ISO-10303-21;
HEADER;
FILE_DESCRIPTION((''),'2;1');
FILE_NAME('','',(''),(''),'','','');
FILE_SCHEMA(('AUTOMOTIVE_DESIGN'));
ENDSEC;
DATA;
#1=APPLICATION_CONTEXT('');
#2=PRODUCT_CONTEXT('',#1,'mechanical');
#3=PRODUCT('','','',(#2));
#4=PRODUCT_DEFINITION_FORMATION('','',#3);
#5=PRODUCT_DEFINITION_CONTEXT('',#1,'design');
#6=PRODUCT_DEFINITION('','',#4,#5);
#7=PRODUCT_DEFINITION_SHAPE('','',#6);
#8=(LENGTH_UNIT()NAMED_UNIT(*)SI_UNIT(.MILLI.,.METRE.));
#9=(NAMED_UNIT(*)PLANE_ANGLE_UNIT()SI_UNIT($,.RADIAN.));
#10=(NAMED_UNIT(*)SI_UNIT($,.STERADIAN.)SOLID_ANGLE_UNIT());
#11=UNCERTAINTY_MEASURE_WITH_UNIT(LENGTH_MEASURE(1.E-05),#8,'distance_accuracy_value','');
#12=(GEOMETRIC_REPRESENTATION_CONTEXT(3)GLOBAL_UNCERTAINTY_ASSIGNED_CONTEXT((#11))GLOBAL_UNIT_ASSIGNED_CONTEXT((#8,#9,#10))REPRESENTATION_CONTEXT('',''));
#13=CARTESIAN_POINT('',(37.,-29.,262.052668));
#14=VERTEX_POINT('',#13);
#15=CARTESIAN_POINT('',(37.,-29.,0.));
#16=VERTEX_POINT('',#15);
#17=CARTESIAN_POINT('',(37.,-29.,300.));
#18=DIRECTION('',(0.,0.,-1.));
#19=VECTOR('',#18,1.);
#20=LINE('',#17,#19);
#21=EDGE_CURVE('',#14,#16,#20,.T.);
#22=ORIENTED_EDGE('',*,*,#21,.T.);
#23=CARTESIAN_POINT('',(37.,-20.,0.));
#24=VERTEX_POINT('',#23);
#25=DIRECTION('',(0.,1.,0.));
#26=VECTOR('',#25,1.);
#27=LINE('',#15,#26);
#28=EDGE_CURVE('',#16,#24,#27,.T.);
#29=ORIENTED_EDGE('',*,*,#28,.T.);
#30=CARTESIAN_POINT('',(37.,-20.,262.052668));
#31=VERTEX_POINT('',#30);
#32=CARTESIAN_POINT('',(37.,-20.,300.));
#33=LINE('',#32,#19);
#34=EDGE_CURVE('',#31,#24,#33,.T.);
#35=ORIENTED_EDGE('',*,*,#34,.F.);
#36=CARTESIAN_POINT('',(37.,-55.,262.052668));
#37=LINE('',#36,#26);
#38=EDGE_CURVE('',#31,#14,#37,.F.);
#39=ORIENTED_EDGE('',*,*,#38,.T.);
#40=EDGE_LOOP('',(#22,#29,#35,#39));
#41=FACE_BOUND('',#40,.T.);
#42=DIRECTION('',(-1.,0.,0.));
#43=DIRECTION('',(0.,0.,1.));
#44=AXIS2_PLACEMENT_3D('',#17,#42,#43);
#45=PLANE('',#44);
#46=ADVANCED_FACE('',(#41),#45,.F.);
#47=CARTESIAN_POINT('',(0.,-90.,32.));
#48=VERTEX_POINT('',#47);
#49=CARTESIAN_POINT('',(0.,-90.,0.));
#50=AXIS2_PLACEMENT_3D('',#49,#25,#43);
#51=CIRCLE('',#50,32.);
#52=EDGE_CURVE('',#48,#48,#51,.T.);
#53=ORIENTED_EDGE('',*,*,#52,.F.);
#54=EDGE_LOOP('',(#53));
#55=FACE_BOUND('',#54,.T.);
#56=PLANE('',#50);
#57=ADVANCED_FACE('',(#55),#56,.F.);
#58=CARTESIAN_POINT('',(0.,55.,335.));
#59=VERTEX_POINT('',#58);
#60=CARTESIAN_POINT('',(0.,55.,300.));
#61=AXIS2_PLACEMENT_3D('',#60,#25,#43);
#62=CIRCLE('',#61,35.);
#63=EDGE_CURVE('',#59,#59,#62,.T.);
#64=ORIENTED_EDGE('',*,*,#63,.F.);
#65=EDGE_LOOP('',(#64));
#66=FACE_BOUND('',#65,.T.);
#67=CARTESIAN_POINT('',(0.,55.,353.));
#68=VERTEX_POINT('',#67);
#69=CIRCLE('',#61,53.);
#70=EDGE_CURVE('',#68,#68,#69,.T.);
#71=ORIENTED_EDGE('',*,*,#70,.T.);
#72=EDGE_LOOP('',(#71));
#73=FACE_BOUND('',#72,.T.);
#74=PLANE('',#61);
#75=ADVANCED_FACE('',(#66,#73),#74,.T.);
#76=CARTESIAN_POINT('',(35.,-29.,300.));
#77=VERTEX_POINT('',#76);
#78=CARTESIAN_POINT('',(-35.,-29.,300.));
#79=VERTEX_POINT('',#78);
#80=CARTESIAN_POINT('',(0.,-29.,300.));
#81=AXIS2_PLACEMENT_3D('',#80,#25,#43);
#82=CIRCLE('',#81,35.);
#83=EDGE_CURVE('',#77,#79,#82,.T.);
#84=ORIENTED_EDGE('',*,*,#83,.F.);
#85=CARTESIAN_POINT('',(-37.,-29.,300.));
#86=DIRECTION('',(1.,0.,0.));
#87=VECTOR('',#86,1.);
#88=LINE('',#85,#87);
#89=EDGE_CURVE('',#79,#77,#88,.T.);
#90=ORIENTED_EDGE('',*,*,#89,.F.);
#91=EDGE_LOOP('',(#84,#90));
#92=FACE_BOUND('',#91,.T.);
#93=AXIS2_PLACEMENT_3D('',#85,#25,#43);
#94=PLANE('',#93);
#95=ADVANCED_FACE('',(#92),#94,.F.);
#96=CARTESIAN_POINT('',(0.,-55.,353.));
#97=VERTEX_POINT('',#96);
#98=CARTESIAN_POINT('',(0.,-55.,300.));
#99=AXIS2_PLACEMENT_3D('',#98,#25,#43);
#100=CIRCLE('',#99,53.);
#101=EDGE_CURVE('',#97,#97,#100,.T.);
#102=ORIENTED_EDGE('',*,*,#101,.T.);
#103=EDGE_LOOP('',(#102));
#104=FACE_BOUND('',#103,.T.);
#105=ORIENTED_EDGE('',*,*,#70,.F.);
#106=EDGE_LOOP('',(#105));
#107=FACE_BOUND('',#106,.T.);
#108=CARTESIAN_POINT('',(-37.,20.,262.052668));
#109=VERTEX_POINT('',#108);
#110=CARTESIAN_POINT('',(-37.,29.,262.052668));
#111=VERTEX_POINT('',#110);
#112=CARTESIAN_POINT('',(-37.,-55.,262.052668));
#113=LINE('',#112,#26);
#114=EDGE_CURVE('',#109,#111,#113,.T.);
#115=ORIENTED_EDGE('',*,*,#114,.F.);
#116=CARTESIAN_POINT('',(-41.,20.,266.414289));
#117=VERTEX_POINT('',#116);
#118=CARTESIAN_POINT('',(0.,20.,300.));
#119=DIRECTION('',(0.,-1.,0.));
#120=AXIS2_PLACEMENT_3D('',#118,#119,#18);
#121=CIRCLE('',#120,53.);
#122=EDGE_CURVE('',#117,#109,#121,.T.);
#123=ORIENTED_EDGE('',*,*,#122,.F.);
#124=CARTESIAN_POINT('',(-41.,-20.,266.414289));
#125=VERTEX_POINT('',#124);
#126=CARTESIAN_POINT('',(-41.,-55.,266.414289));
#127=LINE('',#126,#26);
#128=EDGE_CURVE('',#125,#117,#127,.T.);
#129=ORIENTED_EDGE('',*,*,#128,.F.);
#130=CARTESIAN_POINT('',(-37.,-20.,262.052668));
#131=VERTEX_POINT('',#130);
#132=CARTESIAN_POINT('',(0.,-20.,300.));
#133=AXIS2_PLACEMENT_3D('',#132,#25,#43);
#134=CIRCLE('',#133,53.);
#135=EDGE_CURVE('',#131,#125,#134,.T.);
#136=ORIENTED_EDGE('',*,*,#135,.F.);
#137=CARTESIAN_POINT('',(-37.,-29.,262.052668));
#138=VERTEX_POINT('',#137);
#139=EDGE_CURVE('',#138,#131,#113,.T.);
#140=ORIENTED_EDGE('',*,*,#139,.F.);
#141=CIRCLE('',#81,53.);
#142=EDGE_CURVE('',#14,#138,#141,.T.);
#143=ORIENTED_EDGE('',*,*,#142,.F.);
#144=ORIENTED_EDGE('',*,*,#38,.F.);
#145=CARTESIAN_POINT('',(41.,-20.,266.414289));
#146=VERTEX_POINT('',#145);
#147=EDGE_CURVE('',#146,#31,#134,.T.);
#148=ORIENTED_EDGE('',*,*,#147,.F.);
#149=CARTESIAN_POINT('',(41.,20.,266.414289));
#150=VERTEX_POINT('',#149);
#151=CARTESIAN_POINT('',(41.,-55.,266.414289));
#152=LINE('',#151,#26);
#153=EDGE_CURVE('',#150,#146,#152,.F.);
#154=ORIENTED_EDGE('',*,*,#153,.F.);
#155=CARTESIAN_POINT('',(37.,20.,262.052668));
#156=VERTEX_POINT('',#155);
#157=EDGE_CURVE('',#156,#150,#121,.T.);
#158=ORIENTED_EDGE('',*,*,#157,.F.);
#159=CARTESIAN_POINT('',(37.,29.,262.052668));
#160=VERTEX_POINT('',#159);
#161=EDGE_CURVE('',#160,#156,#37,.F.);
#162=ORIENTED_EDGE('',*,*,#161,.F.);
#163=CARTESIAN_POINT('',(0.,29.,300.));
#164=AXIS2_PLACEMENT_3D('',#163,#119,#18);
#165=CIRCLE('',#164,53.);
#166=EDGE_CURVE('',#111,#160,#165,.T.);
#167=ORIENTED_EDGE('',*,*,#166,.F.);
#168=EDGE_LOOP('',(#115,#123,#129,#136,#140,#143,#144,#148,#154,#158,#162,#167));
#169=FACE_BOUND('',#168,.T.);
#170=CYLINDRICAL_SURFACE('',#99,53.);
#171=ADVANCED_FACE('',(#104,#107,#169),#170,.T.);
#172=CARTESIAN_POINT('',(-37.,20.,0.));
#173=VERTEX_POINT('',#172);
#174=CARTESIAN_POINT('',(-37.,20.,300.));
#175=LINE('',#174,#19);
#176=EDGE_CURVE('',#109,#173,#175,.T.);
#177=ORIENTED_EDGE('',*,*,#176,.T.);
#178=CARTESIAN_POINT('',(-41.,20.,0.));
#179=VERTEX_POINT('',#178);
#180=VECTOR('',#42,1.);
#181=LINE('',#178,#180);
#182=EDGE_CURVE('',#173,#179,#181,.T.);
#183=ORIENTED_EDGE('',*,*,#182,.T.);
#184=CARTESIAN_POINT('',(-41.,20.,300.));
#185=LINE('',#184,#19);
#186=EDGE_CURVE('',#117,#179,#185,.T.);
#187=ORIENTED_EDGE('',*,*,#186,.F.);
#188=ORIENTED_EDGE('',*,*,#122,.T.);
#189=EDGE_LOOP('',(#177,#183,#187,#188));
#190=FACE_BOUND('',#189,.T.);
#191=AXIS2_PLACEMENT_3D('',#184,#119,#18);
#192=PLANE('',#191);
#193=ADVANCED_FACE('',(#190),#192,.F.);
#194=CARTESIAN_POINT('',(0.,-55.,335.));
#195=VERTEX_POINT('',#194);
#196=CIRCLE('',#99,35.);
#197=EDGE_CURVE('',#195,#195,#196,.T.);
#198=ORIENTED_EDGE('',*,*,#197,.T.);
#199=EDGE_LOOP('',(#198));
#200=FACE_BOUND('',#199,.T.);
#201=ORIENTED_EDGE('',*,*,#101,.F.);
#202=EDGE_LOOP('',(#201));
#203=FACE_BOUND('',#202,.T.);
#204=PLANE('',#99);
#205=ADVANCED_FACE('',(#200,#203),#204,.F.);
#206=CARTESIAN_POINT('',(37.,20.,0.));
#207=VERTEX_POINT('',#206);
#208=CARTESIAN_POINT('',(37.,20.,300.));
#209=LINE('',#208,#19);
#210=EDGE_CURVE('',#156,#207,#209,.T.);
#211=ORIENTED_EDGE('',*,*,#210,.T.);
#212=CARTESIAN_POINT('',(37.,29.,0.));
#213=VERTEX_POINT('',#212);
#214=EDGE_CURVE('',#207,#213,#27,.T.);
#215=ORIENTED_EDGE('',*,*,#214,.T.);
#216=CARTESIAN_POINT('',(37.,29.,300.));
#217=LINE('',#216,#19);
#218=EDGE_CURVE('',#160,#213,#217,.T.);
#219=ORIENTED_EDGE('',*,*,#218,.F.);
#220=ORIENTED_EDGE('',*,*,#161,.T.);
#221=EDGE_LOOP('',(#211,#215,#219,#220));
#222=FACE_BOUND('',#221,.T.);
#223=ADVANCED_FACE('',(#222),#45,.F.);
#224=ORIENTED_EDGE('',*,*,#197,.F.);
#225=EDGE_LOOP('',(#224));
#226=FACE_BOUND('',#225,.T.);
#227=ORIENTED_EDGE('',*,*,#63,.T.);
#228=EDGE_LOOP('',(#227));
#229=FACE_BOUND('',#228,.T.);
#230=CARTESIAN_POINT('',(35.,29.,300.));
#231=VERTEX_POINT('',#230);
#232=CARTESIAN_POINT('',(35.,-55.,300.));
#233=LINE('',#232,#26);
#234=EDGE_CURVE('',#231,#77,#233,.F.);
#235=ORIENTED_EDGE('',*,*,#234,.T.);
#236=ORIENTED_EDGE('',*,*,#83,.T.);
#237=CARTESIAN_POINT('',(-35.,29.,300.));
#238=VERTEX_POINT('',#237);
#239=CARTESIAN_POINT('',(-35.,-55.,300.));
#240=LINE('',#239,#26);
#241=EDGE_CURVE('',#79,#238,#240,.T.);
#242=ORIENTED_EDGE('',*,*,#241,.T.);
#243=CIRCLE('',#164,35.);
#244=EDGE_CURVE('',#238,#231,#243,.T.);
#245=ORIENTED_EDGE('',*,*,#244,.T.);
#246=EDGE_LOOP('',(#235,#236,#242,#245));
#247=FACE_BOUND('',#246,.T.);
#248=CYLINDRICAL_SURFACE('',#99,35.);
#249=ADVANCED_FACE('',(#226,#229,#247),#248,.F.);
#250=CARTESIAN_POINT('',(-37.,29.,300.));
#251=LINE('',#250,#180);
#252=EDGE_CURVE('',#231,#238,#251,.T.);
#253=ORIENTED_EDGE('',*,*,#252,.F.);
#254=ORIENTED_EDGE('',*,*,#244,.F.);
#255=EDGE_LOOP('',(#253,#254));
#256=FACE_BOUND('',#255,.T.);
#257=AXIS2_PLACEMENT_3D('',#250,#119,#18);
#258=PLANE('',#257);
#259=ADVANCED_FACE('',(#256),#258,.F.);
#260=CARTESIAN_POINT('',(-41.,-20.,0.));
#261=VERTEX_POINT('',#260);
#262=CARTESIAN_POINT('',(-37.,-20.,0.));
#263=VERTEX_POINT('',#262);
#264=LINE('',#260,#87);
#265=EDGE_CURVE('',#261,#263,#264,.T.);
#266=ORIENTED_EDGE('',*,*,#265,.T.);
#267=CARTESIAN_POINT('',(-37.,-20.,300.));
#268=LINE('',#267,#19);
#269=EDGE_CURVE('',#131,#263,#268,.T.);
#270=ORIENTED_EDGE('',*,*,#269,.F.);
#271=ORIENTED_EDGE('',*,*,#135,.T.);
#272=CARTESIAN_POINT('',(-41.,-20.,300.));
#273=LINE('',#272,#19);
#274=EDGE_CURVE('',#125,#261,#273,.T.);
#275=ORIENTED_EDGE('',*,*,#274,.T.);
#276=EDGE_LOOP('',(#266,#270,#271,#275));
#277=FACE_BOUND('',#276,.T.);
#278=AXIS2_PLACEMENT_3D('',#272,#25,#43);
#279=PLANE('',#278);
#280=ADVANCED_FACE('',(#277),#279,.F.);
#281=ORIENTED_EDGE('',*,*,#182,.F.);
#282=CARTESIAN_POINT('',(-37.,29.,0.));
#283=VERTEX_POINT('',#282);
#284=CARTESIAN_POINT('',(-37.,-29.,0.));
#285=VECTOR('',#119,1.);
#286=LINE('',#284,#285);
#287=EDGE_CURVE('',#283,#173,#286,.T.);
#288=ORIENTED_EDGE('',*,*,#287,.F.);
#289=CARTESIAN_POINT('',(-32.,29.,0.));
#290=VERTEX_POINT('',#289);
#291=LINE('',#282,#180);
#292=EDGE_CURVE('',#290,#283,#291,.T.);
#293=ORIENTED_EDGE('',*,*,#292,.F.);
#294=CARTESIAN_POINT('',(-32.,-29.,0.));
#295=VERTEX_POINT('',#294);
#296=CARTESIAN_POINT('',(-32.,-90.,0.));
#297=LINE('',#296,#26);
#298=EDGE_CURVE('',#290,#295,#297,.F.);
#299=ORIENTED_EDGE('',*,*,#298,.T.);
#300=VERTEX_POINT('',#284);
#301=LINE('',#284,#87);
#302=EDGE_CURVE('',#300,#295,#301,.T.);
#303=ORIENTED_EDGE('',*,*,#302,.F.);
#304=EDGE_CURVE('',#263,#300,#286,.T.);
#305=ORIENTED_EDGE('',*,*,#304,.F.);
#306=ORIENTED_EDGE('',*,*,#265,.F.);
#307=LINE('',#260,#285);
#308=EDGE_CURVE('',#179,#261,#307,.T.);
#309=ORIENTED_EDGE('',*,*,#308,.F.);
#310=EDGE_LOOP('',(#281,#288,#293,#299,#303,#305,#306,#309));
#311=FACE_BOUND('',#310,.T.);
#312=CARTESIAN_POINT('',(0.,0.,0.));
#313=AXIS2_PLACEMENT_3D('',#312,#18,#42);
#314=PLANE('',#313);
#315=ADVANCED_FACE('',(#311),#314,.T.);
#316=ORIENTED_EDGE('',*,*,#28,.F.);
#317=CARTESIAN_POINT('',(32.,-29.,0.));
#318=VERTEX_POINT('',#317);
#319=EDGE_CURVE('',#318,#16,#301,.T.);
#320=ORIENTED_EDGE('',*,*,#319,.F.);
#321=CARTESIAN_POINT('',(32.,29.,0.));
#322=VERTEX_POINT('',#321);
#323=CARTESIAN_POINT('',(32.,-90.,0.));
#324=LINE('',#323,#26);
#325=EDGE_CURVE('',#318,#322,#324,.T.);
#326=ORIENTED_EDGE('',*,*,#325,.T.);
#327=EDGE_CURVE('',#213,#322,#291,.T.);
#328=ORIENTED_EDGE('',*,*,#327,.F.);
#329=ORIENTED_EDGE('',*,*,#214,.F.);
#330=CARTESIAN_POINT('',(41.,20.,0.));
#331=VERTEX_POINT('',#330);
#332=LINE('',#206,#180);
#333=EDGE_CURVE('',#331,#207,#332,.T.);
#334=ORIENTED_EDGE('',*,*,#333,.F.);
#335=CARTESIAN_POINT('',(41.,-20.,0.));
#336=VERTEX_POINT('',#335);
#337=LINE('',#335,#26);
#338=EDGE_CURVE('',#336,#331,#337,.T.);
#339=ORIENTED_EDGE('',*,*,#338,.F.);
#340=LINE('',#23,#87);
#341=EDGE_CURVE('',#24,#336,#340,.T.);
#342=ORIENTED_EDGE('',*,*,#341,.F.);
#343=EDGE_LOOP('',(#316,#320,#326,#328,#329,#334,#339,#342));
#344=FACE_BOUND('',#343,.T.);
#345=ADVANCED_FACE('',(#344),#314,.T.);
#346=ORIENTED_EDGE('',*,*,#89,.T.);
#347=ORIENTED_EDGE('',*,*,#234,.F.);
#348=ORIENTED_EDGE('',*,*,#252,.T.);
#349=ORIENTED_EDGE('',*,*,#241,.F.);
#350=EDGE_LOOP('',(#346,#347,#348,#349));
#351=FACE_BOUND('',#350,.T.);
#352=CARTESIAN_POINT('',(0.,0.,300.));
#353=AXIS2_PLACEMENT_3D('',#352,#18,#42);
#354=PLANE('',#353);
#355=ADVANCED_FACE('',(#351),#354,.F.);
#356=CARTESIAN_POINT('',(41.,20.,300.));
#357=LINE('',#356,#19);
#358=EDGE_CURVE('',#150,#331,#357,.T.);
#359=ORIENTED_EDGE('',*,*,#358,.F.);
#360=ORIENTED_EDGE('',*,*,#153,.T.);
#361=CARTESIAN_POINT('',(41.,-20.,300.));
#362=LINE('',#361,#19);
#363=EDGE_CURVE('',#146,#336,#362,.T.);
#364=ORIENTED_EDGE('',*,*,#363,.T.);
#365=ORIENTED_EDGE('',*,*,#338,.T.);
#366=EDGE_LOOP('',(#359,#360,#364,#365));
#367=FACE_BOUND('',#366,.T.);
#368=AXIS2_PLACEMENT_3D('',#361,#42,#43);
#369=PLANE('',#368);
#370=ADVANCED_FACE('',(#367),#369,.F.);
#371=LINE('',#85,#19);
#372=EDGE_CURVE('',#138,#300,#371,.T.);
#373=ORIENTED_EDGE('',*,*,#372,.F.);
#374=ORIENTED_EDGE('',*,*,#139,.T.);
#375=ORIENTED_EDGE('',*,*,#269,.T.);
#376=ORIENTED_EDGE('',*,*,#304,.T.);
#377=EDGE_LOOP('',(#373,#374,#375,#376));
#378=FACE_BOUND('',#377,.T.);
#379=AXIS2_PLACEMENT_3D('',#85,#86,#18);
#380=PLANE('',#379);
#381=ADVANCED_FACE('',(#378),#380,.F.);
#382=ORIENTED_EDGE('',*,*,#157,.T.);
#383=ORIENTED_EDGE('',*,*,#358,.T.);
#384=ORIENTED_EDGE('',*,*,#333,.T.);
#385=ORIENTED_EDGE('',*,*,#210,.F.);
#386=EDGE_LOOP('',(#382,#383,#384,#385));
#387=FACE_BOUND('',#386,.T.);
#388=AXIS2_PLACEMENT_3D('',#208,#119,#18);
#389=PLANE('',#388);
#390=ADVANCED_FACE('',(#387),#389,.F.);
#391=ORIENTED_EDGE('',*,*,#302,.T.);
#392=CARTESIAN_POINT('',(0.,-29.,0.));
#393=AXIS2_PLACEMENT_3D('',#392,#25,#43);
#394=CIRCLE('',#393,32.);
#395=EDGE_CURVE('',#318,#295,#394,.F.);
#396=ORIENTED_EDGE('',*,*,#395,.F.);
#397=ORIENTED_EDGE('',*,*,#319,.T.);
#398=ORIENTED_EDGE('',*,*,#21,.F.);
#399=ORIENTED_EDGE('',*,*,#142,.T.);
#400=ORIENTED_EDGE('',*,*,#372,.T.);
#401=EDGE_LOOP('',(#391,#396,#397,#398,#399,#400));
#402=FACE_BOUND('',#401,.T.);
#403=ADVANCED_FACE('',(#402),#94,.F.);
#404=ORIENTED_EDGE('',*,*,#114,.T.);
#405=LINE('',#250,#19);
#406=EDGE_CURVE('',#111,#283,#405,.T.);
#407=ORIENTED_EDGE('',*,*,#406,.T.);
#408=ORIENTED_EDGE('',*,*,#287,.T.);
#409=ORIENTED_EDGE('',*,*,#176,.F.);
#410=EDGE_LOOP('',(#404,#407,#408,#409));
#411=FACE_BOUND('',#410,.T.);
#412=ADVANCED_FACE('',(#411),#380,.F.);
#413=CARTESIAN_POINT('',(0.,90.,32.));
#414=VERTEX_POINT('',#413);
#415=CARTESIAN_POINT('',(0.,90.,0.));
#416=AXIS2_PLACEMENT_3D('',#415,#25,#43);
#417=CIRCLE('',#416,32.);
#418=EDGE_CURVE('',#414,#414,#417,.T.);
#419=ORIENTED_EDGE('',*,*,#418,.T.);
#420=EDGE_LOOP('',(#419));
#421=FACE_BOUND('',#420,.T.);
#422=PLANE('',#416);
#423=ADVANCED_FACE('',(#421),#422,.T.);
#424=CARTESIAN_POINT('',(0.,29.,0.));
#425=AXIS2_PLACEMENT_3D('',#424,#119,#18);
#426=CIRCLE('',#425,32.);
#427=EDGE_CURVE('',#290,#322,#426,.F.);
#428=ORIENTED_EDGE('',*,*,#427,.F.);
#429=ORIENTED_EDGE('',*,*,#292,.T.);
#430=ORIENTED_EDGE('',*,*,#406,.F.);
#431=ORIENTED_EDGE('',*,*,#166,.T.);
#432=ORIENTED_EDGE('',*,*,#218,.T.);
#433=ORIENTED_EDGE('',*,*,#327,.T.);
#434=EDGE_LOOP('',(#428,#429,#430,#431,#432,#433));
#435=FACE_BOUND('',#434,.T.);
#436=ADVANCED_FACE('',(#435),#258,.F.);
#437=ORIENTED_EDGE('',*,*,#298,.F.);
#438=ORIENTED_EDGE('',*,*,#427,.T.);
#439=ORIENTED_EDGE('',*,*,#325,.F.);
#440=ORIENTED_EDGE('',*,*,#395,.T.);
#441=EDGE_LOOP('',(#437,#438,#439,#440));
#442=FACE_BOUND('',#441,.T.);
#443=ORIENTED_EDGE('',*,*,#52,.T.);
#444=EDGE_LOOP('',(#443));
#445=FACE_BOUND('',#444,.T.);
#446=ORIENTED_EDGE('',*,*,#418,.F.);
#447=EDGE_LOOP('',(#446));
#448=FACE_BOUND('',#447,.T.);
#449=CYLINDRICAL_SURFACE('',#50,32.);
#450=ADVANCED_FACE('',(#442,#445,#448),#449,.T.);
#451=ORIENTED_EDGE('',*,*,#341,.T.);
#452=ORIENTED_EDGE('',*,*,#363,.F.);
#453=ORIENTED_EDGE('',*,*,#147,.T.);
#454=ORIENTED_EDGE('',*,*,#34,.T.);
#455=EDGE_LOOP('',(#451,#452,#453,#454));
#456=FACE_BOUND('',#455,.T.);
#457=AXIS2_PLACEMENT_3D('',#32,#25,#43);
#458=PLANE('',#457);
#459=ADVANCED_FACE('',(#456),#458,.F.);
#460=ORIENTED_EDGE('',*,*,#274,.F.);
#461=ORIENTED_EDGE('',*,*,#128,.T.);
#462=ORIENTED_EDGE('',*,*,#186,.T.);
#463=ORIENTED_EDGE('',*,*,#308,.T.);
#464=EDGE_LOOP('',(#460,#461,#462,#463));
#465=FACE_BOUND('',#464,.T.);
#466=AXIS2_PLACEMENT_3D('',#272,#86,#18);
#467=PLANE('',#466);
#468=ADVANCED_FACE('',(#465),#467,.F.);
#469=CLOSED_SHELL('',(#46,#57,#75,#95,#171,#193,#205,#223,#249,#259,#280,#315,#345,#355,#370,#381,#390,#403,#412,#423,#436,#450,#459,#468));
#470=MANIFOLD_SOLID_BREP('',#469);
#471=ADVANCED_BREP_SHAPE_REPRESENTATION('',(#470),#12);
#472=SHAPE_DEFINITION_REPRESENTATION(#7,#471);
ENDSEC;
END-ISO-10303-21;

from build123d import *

# Parameters (mm, degrees)
EXTRUDE_1_DEPTH      = 90
EXTRUDE_1_DEPTH_BACK = 90
SKETCH_1_R           = 32
SKETCH_2_W           = 74
SKETCH_2_H           = 58
EXTRUDE_2_DEPTH      = 300
SKETCH_3_W           = 4
SKETCH_3_H           = 40
EXTRUDE_3_DEPTH      = 300
EXTRUDE_4_DEPTH      = 55
EXTRUDE_4_DEPTH_BACK = 55
SKETCH_4_R           = 53
SKETCH_4_R_2         = 35


with BuildPart() as part:
    # 草图1 → 凸台-拉伸1 (new, two sides: drawn at the far end of the back side and taken through both)
    with BuildSketch(Plane(origin=(0, 0, 0), x_dir=(1, 0, 0), z_dir=(0, 1, 0)).offset(-EXTRUDE_1_DEPTH_BACK)):
        Circle(SKETCH_1_R)
    extrude(amount=EXTRUDE_1_DEPTH + EXTRUDE_1_DEPTH_BACK)

    # 草图2 → 凸台-拉伸2 (add)
    with BuildSketch(Plane.XY):
        Rectangle(SKETCH_2_W, SKETCH_2_H)
    extrude(amount=EXTRUDE_2_DEPTH)

    # 草图3 → 凸台-拉伸3 (add)
    with BuildSketch(Plane.XY):
        with Locations((39, 0)):
            Rectangle(SKETCH_3_W, SKETCH_3_H)
        with Locations((-39, 0)):
            Rectangle(SKETCH_3_W, SKETCH_3_H)
    extrude(amount=EXTRUDE_3_DEPTH)

    # 草图4 → 凸台-拉伸4 (add, two sides: drawn at the far end of the back side and taken through both)
    with BuildSketch(Plane(origin=(0, 0, 0), x_dir=(1, 0, 0), z_dir=(0, 1, 0)).offset(-EXTRUDE_4_DEPTH_BACK)):
        with Locations((0, -300)):
            Circle(SKETCH_4_R)
        with Locations((0, -300)):
            Circle(SKETCH_4_R_2, mode=Mode.SUBTRACT)
    extrude(amount=EXTRUDE_4_DEPTH + EXTRUDE_4_DEPTH_BACK)


solid = part.part
